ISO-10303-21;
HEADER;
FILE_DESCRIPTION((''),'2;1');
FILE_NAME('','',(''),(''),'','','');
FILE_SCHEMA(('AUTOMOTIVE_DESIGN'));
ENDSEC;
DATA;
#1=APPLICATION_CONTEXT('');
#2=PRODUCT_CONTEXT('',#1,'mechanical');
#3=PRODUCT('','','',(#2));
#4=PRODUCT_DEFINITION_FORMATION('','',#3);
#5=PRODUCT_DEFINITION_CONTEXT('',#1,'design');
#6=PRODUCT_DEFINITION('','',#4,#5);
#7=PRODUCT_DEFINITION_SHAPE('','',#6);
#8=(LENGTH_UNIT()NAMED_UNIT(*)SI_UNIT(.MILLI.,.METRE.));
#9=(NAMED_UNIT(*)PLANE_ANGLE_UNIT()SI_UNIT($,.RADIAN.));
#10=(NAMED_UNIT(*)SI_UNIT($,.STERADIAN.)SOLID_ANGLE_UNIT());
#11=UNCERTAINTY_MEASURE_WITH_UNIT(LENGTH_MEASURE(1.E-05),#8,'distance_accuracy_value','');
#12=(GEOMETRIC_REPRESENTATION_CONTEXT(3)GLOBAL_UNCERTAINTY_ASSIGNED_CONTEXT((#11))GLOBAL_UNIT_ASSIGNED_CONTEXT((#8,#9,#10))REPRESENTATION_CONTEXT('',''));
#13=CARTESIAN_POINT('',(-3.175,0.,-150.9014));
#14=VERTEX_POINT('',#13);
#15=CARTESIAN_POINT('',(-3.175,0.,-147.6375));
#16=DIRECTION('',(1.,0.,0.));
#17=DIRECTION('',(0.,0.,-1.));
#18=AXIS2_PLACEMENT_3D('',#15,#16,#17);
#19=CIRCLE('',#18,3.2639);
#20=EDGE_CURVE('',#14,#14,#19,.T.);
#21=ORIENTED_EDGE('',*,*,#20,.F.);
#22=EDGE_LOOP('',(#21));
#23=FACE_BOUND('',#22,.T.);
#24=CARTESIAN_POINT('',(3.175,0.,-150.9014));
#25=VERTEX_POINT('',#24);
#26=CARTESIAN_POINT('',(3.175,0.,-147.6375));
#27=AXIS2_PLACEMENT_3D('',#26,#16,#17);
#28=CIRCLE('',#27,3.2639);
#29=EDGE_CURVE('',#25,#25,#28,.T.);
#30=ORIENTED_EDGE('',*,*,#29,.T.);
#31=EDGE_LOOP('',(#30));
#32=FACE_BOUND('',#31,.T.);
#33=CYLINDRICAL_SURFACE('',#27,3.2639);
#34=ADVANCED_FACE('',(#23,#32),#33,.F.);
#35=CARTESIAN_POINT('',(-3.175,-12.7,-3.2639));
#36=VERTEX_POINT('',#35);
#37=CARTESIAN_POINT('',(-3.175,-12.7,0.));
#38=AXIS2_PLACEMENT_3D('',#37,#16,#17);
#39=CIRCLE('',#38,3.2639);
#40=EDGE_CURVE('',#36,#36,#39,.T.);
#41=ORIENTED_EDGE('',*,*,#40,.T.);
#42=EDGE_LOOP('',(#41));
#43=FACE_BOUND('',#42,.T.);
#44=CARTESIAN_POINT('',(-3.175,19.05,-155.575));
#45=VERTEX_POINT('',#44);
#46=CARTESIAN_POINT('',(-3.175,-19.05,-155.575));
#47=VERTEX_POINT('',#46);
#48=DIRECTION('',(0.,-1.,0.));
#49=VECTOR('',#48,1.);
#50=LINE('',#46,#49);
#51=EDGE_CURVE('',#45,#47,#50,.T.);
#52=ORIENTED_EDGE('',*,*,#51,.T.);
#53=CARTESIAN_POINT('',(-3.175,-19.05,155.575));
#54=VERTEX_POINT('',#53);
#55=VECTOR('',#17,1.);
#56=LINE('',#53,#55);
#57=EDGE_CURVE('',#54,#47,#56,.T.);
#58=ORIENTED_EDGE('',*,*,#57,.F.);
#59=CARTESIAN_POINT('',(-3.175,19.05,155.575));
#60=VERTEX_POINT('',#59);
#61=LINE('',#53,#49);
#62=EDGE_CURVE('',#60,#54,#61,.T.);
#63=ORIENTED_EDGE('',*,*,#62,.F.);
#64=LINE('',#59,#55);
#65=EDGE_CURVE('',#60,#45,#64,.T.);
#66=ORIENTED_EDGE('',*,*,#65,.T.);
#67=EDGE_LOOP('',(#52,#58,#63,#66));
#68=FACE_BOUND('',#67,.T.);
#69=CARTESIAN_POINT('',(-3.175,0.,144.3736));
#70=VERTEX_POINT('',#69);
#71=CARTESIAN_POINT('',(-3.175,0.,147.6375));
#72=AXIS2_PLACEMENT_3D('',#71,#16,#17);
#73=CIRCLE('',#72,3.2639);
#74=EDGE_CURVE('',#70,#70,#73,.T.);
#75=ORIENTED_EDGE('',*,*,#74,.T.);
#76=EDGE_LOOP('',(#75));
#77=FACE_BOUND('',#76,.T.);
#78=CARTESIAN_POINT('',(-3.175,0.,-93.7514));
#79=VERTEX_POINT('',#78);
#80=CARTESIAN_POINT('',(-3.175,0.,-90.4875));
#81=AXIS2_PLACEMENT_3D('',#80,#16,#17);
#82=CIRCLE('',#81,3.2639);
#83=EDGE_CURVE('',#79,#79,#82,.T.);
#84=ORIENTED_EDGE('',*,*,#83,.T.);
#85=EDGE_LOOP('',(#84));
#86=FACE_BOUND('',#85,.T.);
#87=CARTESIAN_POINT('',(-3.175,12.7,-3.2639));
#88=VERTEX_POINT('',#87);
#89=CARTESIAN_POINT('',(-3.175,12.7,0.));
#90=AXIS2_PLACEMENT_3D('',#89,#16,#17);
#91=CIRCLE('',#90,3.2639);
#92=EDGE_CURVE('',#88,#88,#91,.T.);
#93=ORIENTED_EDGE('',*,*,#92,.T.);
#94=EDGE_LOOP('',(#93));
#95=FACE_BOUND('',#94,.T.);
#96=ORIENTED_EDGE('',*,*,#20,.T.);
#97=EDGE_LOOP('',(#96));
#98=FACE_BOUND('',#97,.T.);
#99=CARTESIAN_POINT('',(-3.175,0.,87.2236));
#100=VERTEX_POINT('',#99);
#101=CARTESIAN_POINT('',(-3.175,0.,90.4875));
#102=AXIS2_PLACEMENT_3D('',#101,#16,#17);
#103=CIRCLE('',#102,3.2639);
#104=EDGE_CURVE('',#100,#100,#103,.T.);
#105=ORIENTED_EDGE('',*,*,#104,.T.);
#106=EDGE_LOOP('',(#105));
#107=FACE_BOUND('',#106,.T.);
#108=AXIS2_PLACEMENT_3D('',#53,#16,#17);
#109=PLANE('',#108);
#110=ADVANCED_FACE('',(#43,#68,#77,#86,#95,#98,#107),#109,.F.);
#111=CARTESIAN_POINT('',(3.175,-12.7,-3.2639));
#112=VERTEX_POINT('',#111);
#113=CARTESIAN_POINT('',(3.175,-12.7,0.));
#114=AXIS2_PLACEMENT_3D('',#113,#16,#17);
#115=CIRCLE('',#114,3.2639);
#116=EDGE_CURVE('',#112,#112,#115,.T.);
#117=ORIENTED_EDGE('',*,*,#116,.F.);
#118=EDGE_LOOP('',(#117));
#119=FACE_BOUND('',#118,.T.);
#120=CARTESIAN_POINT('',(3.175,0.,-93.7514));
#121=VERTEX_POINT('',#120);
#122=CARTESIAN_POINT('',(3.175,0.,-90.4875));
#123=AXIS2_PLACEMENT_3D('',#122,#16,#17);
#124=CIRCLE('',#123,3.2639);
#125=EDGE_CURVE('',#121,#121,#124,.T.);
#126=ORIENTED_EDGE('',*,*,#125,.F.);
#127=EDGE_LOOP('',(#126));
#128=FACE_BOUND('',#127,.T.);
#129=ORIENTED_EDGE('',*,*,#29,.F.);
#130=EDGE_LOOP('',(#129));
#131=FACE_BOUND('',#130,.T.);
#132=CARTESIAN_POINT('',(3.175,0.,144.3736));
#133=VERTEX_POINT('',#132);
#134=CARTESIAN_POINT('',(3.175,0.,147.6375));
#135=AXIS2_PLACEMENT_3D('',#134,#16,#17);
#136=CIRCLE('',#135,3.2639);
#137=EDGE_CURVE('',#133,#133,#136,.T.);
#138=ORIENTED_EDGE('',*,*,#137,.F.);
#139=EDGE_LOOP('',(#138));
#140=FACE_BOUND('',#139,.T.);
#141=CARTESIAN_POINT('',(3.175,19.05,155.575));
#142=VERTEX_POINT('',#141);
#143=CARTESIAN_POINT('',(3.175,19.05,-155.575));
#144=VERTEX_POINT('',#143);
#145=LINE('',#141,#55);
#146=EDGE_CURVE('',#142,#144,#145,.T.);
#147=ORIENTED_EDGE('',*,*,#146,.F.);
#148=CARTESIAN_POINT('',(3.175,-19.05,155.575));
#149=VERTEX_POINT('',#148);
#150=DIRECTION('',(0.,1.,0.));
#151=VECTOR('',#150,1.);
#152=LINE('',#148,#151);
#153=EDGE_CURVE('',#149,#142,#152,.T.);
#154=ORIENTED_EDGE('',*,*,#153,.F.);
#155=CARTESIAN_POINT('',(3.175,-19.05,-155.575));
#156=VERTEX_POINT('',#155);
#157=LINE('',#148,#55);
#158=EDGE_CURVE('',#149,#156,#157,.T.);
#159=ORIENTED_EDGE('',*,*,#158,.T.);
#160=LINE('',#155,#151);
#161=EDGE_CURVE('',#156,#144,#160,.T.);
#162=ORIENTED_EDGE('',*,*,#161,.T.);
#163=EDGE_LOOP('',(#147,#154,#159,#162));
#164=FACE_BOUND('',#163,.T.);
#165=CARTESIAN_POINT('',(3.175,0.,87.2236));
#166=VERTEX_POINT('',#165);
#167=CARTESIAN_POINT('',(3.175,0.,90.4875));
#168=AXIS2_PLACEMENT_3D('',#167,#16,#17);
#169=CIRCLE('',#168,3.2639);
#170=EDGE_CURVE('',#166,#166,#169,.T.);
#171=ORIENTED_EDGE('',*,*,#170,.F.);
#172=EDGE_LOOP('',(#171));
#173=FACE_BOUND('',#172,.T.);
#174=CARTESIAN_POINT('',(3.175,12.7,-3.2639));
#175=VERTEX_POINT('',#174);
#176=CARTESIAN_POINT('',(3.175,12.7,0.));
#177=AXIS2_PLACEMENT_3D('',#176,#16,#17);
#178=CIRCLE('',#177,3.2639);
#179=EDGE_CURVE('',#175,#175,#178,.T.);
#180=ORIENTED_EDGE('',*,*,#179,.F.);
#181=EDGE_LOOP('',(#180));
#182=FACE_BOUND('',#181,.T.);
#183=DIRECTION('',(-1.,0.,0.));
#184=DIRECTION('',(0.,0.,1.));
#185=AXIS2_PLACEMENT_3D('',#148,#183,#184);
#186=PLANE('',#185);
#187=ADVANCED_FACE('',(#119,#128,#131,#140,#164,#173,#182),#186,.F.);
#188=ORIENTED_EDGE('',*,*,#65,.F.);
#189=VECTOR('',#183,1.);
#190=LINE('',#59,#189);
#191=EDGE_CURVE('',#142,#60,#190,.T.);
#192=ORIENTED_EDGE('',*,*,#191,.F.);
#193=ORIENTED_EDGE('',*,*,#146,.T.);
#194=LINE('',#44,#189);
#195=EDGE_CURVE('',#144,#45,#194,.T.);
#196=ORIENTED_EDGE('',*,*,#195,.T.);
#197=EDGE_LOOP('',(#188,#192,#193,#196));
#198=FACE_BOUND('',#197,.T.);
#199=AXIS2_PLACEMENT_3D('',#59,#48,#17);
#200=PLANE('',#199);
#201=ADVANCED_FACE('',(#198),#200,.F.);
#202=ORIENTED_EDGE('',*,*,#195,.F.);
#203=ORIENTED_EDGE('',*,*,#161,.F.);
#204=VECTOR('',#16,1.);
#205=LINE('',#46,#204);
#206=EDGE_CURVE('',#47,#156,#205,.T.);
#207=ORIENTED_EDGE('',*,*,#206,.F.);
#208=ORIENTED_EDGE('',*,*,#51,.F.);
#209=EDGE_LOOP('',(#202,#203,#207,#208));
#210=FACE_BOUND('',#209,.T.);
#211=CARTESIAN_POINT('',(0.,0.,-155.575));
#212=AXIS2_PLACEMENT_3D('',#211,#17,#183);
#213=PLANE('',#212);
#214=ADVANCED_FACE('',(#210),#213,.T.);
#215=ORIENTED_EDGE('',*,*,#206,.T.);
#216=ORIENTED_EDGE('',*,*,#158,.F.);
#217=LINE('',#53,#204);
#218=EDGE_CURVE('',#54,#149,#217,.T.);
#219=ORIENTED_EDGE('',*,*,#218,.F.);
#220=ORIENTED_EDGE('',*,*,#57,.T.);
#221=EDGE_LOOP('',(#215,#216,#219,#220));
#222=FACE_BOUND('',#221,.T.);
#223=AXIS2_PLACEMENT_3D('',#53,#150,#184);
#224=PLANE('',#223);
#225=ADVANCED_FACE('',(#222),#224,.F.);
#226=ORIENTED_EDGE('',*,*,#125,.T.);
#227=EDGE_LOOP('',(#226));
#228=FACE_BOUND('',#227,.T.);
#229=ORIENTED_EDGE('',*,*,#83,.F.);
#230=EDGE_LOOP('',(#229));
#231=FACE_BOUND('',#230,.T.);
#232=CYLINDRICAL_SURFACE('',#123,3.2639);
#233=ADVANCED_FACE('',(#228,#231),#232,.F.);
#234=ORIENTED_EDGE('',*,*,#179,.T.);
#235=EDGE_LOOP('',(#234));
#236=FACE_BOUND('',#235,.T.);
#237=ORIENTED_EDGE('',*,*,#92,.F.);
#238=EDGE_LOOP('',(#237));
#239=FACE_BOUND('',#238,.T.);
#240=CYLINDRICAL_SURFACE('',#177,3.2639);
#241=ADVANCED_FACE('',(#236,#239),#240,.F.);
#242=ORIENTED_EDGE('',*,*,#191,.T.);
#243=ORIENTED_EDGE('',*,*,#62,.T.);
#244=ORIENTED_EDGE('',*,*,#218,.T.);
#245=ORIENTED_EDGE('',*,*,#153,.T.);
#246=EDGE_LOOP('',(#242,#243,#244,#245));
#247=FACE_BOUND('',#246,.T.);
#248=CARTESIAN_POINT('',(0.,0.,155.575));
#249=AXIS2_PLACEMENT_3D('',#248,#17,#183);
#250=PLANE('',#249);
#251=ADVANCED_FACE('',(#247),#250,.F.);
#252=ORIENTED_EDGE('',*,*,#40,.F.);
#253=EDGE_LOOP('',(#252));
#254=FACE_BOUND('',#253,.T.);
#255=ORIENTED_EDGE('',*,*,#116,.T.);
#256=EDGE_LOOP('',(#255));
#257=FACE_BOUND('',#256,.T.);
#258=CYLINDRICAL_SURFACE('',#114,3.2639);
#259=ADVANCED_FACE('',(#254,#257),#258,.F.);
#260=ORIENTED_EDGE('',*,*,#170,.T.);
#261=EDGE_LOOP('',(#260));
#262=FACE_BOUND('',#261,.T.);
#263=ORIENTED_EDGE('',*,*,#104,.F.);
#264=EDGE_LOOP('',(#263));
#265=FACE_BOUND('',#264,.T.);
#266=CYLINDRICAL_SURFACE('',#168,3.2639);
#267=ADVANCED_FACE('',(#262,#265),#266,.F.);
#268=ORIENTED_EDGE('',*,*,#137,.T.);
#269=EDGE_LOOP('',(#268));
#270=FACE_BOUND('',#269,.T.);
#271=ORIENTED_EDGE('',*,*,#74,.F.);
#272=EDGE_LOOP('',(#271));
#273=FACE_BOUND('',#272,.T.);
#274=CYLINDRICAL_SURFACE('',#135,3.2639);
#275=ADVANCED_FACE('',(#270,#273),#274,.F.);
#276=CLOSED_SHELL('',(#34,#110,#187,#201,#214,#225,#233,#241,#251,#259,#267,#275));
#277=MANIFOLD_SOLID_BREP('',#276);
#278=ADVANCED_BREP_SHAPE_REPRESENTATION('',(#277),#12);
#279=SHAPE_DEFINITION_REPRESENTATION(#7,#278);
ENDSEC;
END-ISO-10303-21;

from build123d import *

# Parameters (mm, degrees)
SKETCH1_W               = 6.35
SKETCH1_H               = 38.1
BOSS_EXTRUDE1_DEPTH     = 155.575
F_1_4_CLEARANCE_HOLE1_D = 6.5278


with BuildPart() as part:
    # Sketch1 → Boss-Extrude1 (new, symmetric)
    with BuildSketch(Plane.XY):
        Rectangle(SKETCH1_W, SKETCH1_H)
    extrude(amount=BOSS_EXTRUDE1_DEPTH, both=True)

    # 1/4 Clearance Hole1 (through all)
    with Locations(Plane(origin=(3.175, 0, 0), x_dir=(0, 0, -1), z_dir=(1, 0, 0))):
        with Locations((-147.6375, 0), (-90.4875, 0), (90.4875, 0), (147.6375, 0), (0, 12.7), (0, -12.7)):
            Hole(F_1_4_CLEARANCE_HOLE1_D / 2)


solid = part.part
